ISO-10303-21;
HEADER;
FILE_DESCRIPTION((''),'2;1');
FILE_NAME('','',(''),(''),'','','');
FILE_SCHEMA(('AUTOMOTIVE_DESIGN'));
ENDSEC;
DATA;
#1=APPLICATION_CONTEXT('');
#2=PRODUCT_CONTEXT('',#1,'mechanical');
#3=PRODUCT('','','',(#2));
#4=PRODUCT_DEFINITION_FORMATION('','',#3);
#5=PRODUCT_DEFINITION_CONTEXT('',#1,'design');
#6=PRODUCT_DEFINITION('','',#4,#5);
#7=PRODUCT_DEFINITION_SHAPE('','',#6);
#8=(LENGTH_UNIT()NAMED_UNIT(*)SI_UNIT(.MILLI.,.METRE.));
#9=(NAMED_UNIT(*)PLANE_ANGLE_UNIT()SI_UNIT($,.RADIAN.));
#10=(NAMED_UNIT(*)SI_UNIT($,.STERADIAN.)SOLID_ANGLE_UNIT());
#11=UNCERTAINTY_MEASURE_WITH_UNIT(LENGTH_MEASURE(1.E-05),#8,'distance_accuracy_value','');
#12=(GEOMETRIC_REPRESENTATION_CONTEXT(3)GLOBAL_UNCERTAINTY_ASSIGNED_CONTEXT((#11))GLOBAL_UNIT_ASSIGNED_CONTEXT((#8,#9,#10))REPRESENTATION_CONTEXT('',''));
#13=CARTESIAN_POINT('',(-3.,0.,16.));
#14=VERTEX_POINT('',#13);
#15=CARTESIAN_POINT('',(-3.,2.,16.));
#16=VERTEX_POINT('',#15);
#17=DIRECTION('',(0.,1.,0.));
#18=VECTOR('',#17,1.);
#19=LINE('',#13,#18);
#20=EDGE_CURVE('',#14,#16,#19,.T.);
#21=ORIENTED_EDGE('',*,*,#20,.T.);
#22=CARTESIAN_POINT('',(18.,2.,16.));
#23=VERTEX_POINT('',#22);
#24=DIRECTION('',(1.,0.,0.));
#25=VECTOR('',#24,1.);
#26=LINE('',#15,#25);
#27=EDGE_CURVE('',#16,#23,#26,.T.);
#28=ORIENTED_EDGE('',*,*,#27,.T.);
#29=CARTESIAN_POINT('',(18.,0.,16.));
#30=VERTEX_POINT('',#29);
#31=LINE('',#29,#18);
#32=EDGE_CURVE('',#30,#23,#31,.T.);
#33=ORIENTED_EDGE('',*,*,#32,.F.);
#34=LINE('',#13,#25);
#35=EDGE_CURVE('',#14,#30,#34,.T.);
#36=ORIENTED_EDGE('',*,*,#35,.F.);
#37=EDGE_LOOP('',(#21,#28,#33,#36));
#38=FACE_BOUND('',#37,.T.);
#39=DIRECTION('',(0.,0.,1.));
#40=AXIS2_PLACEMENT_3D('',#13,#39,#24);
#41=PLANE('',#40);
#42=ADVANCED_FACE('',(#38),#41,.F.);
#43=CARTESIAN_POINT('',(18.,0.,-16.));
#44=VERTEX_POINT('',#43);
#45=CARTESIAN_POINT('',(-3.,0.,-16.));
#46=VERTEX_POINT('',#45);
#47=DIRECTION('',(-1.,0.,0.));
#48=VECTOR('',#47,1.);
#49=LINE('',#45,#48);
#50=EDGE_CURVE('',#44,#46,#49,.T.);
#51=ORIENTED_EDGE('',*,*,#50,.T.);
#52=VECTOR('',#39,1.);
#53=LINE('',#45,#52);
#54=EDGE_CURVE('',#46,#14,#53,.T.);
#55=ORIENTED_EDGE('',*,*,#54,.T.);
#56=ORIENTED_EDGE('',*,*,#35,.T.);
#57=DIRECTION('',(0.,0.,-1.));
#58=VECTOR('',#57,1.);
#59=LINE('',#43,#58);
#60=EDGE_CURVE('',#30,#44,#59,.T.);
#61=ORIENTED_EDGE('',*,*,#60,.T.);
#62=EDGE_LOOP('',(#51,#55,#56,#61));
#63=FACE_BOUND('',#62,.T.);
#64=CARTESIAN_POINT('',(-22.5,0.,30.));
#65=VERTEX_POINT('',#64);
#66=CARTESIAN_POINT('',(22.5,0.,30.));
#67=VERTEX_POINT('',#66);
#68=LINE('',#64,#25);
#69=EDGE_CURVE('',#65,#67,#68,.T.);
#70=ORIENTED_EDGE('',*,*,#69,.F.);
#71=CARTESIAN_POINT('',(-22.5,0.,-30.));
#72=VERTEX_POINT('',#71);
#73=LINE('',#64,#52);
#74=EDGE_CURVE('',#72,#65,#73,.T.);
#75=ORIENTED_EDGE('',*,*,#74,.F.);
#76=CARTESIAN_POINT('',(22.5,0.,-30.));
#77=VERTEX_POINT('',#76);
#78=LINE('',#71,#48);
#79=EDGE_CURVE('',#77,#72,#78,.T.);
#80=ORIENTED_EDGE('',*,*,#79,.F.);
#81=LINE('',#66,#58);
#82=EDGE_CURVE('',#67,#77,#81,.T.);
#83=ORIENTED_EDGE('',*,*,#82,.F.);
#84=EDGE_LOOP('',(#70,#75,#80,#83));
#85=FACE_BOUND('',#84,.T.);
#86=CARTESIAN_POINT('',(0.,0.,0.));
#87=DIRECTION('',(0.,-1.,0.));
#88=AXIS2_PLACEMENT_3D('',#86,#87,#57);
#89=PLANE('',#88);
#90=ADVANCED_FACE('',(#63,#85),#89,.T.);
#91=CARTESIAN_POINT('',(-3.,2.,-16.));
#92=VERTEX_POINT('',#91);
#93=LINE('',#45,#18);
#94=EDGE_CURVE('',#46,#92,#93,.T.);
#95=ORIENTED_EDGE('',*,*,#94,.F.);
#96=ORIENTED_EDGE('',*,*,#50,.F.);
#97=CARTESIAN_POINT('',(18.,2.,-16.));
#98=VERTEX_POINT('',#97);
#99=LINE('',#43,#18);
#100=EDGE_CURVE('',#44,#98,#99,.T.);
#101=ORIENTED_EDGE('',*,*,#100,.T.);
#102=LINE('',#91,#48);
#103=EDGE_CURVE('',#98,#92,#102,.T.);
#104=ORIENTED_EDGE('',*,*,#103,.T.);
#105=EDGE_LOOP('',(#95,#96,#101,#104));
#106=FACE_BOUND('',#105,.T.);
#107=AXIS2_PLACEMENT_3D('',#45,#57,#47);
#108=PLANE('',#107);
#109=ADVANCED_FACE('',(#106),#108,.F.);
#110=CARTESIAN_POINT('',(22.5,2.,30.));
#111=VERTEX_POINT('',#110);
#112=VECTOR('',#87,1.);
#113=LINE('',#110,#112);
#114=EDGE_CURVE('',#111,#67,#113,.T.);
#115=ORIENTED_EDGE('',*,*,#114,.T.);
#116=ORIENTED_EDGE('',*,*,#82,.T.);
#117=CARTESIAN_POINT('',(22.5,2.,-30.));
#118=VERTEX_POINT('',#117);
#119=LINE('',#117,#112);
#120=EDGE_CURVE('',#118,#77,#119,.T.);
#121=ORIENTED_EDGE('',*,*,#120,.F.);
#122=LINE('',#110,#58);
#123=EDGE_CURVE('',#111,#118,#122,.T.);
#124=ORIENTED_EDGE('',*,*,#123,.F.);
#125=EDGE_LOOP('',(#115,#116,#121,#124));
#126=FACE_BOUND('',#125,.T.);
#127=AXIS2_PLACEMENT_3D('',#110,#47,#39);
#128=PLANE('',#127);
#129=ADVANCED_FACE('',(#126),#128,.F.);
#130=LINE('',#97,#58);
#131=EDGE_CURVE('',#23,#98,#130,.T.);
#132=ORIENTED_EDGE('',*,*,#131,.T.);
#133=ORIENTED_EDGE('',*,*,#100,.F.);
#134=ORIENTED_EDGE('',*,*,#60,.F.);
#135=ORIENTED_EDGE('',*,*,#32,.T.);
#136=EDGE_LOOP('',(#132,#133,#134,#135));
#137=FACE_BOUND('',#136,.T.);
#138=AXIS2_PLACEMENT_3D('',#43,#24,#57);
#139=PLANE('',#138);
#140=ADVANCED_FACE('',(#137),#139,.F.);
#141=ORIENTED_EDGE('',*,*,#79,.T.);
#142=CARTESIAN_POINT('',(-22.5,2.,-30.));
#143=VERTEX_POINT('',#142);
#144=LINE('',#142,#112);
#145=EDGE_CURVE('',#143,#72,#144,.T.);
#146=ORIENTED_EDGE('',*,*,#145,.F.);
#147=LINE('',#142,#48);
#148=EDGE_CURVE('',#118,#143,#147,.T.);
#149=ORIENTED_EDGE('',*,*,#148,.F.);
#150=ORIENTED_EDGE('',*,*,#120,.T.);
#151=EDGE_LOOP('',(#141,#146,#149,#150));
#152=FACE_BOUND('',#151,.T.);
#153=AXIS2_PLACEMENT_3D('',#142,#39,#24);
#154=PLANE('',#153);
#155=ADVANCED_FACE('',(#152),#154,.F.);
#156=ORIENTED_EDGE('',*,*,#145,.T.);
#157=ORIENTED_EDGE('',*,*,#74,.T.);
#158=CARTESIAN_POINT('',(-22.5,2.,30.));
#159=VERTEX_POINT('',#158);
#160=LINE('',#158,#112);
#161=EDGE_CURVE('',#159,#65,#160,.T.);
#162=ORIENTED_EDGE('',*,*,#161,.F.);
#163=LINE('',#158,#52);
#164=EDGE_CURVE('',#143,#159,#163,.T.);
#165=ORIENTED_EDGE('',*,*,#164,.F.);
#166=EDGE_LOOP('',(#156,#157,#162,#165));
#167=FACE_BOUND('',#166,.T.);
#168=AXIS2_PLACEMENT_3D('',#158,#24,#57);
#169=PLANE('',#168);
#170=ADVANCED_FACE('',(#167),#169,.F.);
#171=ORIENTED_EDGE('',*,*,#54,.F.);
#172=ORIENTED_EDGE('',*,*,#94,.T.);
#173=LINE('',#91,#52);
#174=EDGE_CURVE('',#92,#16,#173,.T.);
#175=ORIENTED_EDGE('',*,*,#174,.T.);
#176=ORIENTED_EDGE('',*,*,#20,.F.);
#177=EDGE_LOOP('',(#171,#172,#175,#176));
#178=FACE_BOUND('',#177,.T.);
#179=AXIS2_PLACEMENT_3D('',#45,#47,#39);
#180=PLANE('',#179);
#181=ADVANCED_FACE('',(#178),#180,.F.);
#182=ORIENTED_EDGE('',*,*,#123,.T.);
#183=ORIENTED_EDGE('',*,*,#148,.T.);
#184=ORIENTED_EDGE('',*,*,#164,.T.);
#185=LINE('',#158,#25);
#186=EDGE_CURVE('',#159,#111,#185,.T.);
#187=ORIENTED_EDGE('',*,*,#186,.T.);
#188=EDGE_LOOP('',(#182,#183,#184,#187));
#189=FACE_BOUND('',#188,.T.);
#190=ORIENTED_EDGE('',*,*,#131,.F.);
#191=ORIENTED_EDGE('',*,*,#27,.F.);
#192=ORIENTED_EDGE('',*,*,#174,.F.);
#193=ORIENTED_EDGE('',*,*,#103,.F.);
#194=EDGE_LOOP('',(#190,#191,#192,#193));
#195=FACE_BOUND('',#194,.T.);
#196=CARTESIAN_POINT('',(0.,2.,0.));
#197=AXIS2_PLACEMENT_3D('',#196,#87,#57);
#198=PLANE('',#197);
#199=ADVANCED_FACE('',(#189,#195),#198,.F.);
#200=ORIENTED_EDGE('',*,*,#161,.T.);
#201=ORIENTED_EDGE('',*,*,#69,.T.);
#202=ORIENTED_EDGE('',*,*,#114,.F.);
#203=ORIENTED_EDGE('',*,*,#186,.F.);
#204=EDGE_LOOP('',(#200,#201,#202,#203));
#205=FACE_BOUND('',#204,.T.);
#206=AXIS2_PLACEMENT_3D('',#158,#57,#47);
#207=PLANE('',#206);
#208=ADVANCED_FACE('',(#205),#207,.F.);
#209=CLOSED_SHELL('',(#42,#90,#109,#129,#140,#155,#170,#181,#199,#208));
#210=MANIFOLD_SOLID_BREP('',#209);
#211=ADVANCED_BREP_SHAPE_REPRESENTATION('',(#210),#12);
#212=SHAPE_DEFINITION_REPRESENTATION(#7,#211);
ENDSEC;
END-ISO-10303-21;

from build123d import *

# Parameters (mm, degrees)
IZIM1_W                     = 45
IZIM1_H                     = 60
Y_KSEKLIK_EKSTR_ZYON1_DEPTH = 2
IZIM2_W                     = 21
IZIM2_H                     = 32
KES_EKSTR_ZYON1_DEPTH       = 2


with BuildPart() as part:
    # Çizim1 → Yükseklik-Ekstrüzyon1 (new body)
    with BuildSketch(Plane(origin=(0, 0, 0), x_dir=(1, 0, 0), z_dir=(0, 1, 0))):
        Rectangle(IZIM1_W, IZIM1_H)
    extrude(amount=Y_KSEKLIK_EKSTR_ZYON1_DEPTH)

    # Çizim2 → Kes-Ekstrüzyon1 (cut)
    with BuildSketch(Plane(origin=(0, 2, 0), x_dir=(1, 0, 0), z_dir=(0, 1, 0))):
        with Locations((7.5, 0)):
            Rectangle(IZIM2_W, IZIM2_H)
    extrude(amount=-KES_EKSTR_ZYON1_DEPTH, mode=Mode.SUBTRACT)


solid = part.part
